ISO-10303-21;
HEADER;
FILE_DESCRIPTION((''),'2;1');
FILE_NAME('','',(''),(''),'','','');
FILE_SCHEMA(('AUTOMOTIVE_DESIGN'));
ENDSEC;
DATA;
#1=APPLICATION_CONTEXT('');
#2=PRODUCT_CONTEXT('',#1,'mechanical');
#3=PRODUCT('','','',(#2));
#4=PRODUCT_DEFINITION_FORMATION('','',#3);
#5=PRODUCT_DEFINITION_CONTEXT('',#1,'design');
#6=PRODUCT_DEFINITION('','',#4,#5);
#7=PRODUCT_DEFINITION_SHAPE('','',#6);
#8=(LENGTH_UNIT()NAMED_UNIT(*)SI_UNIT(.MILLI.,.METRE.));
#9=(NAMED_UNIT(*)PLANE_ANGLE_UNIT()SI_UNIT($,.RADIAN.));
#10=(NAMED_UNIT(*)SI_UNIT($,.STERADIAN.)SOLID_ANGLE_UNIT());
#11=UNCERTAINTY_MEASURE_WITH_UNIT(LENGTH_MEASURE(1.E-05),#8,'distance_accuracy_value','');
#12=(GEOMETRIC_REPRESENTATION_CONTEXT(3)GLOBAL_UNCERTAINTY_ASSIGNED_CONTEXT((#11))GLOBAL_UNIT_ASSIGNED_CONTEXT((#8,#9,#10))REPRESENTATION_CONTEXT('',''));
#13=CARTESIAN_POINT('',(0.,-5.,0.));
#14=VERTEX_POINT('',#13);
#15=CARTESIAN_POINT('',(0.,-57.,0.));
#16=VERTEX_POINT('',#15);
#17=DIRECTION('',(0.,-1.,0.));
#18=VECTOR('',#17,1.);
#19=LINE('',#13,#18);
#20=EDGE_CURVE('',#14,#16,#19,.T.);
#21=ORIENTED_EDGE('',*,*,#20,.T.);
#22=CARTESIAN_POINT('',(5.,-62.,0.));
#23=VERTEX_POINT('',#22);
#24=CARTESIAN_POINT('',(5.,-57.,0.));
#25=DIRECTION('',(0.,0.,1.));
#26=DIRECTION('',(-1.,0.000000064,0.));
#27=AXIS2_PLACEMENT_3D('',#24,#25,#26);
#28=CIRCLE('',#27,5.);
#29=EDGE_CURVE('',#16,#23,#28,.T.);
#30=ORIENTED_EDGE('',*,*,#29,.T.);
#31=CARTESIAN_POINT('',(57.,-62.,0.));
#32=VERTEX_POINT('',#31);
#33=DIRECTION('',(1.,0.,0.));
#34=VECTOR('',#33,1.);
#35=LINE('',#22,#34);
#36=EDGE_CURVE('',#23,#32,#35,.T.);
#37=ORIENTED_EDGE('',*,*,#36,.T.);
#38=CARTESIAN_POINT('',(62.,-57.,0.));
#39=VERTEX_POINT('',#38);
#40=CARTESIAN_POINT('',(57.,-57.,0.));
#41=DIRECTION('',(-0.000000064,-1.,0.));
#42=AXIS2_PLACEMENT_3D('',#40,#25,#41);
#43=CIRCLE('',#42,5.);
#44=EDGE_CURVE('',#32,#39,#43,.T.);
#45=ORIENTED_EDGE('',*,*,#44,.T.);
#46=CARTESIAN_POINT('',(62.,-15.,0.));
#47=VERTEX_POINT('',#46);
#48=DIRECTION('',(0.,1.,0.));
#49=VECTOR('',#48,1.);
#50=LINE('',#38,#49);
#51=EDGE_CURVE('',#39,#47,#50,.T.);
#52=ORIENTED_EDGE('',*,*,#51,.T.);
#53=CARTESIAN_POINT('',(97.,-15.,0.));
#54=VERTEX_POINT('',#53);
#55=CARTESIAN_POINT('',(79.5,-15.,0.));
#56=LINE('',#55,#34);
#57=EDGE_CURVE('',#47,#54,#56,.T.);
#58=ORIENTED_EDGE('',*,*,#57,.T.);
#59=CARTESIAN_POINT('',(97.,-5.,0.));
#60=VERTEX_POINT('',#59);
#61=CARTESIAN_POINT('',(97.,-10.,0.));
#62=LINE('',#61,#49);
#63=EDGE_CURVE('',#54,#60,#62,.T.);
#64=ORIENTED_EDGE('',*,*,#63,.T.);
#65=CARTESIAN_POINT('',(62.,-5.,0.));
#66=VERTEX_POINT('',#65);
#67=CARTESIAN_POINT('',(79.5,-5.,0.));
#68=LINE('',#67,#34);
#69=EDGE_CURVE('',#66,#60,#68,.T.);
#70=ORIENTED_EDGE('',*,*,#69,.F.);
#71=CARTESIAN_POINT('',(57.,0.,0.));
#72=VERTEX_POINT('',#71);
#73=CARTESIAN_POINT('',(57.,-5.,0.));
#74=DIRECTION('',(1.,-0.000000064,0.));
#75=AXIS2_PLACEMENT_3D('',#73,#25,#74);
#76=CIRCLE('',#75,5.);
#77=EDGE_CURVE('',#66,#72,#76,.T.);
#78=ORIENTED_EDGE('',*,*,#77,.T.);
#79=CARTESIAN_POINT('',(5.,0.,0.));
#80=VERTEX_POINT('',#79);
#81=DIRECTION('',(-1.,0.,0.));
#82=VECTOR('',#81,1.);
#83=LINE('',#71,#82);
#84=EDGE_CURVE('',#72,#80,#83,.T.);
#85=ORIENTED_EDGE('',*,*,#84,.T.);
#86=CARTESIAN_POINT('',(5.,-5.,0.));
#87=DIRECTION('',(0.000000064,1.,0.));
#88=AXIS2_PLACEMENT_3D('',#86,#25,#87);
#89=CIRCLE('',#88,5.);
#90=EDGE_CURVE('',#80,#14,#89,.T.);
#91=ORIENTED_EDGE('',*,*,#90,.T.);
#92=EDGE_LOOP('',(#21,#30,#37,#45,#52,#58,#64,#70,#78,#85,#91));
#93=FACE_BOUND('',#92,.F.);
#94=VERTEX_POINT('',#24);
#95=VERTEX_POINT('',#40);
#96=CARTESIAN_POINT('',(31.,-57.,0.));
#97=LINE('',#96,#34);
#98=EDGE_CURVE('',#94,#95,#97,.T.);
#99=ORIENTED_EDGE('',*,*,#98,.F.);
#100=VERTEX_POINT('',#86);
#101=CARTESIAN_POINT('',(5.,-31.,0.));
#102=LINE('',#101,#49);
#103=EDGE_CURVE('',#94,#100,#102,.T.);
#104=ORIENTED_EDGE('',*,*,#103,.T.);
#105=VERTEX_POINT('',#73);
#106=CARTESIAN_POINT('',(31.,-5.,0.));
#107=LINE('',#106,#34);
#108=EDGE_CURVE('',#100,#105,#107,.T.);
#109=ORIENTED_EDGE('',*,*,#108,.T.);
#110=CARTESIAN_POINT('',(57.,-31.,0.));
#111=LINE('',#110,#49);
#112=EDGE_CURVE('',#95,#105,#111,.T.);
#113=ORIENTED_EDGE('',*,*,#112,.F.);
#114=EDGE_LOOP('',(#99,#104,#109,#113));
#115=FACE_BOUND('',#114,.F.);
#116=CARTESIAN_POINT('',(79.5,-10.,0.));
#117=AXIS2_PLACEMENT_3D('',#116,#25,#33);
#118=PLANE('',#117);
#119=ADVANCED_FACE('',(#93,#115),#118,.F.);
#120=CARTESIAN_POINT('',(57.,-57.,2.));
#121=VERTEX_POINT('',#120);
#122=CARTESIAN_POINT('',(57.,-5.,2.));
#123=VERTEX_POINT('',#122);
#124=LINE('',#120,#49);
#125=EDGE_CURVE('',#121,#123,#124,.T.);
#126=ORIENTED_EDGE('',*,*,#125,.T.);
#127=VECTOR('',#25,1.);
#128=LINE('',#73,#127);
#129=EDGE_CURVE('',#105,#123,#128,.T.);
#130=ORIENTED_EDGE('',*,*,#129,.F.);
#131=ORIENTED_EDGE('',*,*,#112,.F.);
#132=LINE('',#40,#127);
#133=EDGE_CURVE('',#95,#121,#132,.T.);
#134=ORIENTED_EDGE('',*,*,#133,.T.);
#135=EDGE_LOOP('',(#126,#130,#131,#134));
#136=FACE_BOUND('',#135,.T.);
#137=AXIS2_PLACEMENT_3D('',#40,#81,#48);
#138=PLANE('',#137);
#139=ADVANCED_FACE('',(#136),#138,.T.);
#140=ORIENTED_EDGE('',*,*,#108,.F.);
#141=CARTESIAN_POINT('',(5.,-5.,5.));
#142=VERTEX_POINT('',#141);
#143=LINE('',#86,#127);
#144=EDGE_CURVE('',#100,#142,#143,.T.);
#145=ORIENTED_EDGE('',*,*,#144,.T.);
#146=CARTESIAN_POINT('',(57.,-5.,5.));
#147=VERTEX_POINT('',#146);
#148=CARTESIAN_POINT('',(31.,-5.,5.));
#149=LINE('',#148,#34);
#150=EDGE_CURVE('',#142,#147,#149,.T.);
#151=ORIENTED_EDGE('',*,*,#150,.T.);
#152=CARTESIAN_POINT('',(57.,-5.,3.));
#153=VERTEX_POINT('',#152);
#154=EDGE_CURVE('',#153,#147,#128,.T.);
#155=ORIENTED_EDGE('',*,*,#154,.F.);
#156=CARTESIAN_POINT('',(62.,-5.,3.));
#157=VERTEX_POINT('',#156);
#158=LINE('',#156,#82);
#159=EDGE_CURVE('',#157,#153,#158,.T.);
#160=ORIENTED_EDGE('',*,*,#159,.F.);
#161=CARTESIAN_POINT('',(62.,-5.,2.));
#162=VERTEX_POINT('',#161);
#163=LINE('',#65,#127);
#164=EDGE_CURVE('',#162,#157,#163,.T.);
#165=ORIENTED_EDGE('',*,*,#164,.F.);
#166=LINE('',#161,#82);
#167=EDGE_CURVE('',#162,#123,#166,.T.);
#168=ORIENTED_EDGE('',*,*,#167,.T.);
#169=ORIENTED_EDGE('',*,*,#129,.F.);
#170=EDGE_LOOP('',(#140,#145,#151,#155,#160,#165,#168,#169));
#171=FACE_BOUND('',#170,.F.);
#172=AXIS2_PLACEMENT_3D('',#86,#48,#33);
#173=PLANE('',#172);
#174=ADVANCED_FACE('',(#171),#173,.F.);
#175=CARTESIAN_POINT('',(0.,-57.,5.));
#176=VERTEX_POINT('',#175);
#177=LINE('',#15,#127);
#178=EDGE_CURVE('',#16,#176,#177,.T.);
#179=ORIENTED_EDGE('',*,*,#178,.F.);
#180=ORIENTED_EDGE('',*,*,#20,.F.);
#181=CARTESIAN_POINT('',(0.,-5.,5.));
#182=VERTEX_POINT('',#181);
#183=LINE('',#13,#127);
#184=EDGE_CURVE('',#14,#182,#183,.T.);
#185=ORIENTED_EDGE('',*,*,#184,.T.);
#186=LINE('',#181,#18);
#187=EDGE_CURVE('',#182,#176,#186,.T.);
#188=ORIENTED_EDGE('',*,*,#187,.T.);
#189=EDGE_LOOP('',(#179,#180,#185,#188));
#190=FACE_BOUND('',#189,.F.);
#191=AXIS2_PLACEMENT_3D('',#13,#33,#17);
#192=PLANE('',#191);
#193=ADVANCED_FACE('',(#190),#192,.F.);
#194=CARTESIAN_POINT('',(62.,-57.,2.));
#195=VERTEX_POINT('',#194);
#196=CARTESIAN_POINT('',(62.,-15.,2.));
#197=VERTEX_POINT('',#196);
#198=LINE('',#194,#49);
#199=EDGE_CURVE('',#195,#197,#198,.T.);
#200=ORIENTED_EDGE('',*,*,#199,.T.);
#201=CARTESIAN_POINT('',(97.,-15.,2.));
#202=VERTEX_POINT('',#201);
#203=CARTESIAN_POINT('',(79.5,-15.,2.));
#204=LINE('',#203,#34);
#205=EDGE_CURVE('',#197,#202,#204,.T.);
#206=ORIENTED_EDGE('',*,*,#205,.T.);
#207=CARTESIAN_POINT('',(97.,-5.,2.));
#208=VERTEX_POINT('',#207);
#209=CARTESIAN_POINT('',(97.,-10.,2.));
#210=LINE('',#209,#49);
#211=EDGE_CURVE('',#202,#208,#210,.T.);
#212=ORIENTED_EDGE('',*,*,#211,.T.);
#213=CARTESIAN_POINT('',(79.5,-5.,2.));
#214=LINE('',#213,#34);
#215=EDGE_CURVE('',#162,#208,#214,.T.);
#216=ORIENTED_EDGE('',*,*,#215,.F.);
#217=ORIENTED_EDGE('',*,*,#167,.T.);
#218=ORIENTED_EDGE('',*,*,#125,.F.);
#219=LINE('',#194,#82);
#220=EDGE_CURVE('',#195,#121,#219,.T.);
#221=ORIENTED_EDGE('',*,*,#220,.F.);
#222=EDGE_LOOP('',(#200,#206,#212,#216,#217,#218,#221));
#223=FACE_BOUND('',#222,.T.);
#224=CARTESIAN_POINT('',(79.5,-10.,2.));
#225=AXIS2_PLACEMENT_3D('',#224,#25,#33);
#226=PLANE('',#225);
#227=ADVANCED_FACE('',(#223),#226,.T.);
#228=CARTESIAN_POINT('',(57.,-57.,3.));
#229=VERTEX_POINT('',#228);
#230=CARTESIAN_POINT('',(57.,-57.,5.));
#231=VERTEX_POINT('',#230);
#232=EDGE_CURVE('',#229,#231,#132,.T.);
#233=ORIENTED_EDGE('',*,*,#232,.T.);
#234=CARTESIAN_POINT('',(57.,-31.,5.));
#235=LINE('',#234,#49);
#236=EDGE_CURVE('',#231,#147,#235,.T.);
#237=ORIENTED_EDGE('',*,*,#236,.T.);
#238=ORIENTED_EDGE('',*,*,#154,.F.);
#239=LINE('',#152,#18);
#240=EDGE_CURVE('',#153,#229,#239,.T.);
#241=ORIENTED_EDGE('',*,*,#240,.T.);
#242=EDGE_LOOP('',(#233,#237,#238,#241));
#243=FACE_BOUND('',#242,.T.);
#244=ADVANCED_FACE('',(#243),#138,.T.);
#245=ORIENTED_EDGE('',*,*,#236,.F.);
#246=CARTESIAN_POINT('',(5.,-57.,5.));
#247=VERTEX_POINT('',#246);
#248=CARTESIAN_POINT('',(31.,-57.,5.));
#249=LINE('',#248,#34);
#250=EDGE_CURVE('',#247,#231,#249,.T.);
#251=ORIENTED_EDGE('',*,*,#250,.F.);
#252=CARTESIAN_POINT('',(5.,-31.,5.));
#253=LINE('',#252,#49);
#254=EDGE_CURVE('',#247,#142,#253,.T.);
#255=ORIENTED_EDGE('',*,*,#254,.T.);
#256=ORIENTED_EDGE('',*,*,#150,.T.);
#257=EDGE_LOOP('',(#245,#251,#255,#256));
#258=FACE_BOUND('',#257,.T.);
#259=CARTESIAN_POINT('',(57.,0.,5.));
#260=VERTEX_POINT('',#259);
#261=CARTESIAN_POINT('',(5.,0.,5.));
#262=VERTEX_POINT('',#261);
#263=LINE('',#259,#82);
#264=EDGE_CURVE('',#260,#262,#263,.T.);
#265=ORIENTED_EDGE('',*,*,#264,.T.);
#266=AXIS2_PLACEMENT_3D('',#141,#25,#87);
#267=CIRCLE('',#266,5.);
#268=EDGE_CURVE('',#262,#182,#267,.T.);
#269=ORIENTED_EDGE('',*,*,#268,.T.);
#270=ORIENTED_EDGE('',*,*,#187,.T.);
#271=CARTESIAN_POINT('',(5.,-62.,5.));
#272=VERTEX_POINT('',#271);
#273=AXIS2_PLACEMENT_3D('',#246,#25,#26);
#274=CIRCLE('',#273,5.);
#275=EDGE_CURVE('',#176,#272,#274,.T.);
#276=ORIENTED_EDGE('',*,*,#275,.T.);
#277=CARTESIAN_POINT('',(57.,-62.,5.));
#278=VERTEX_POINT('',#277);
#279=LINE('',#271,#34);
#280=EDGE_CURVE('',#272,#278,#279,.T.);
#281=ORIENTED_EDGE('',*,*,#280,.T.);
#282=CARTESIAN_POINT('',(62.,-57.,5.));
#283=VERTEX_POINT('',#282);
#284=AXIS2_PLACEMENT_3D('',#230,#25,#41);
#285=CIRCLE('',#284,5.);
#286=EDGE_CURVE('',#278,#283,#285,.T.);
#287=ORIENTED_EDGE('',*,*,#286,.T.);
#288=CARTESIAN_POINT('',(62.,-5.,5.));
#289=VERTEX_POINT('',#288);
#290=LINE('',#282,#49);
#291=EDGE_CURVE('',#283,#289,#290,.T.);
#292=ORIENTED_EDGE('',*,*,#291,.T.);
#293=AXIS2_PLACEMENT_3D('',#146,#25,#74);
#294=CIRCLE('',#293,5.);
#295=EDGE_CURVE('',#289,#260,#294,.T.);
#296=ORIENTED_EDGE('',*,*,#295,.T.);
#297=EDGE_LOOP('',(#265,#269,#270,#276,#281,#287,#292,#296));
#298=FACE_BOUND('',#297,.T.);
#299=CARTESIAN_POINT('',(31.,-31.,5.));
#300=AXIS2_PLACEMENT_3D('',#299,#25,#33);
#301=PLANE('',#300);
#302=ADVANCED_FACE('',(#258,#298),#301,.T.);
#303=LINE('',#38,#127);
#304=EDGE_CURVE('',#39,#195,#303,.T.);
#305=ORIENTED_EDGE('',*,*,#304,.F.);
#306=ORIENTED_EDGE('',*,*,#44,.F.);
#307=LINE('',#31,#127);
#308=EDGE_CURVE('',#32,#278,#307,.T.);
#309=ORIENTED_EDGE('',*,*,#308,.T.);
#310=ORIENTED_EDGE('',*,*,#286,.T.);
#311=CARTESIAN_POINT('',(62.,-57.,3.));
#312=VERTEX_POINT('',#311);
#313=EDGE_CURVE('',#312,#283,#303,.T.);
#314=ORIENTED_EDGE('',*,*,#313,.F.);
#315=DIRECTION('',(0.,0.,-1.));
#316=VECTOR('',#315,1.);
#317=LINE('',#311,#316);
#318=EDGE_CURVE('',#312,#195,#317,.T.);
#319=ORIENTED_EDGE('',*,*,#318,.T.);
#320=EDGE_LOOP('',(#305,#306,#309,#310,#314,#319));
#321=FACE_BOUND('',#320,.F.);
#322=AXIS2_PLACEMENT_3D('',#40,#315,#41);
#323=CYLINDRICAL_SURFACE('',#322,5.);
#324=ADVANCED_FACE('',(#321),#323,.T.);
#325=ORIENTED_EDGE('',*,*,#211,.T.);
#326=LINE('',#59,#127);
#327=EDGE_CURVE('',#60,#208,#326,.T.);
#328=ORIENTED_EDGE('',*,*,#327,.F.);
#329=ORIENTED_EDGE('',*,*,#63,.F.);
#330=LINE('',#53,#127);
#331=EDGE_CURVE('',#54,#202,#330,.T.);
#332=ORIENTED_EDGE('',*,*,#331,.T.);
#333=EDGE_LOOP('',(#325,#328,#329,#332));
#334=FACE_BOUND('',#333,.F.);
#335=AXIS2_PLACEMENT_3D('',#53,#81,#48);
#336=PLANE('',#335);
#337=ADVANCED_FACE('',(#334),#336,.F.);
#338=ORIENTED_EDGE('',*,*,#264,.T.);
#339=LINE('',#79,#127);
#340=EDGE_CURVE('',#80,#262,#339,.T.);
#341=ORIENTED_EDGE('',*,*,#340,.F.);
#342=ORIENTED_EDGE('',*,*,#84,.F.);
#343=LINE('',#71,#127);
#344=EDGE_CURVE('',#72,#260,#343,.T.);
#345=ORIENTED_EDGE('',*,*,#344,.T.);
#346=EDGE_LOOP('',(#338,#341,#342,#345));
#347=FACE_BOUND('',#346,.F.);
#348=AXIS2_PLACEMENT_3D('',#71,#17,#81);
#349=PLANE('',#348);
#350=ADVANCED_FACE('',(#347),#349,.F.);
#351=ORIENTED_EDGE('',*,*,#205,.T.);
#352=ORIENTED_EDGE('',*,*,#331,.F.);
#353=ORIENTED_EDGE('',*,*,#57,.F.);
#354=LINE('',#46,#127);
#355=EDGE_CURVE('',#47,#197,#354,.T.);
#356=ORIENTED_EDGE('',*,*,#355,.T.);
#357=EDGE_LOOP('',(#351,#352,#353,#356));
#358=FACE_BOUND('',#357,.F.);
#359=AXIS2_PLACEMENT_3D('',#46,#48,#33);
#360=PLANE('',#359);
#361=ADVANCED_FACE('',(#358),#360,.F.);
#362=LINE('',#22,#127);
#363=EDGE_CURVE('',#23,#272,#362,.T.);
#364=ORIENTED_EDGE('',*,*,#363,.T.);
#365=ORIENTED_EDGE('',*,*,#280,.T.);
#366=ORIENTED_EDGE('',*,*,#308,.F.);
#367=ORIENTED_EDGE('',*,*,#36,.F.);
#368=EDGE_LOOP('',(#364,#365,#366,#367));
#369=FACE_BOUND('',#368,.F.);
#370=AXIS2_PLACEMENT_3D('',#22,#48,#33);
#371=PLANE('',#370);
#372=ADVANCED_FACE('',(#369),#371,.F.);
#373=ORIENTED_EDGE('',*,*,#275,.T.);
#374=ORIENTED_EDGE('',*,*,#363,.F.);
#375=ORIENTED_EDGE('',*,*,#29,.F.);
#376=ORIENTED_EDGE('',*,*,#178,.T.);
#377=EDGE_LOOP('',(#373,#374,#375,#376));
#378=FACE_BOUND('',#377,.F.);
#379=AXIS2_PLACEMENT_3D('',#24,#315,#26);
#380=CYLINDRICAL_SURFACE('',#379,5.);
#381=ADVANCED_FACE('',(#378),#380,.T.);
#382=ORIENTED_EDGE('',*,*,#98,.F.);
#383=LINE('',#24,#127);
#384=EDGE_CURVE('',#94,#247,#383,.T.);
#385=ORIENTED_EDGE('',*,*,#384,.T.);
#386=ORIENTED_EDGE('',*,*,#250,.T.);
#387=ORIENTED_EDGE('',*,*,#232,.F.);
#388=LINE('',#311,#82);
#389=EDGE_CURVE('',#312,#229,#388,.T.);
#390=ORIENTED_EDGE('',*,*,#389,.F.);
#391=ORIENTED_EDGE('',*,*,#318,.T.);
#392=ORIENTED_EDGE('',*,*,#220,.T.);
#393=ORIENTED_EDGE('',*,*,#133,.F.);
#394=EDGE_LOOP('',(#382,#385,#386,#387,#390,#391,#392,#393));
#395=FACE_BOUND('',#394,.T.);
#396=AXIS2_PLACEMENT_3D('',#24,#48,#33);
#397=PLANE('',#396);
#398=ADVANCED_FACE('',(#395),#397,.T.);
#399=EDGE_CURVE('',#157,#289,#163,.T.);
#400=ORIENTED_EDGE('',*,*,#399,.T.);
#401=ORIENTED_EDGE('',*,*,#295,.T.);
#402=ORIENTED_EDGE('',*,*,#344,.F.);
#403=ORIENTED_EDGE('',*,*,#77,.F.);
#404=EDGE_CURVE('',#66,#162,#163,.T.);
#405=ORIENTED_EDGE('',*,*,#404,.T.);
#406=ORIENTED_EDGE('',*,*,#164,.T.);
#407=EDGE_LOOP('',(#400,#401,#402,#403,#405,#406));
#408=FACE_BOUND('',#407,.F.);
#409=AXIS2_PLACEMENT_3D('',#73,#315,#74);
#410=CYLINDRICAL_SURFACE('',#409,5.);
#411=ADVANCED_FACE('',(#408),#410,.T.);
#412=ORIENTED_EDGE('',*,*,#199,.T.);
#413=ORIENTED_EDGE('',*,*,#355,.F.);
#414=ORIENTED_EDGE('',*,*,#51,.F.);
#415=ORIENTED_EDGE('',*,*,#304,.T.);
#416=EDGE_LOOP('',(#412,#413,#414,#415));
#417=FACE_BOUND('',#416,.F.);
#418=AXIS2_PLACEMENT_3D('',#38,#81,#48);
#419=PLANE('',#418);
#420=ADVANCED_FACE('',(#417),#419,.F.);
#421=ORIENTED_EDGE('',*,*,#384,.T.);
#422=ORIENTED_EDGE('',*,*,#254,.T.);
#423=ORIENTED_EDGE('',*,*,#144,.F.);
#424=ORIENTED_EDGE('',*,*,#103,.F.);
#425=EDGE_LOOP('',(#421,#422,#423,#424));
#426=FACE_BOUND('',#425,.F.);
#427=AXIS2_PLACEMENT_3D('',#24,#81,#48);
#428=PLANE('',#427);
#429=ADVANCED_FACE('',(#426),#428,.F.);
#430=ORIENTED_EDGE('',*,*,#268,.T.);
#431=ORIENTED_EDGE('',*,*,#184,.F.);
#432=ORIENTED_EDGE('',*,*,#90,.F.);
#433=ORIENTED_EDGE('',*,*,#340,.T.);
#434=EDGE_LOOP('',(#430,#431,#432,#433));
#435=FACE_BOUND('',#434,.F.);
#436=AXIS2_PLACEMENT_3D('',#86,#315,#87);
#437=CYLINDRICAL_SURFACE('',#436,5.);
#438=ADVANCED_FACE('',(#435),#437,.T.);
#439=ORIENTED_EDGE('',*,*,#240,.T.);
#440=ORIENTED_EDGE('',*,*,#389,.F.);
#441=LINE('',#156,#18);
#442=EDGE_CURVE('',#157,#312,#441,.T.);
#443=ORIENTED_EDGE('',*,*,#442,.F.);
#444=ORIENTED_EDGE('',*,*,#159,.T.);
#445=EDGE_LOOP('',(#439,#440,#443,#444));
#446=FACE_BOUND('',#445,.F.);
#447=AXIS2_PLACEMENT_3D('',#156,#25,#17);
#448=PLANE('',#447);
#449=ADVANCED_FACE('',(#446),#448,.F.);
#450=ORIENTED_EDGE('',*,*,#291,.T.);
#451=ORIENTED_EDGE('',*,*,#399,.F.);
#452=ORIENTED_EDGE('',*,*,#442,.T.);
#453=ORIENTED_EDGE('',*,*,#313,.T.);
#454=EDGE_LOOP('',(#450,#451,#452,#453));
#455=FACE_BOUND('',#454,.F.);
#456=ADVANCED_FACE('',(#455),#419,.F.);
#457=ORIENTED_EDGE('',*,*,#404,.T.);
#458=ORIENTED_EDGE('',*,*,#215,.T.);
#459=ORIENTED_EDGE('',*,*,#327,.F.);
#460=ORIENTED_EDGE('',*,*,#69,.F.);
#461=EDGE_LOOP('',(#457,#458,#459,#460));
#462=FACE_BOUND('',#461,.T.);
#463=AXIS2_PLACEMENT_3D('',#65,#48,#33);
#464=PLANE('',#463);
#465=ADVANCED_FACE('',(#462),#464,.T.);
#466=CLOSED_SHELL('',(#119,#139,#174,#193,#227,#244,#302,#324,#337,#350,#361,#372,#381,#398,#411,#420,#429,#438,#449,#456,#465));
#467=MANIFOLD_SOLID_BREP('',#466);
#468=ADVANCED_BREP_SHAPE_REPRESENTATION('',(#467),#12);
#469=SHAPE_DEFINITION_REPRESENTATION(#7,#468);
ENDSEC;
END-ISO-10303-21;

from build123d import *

# Parameters (mm, degrees)
F0_W     = 52
F0_H     = 52
F1_DEPTH = 5
F0_W_2   = 35
F0_H_2   = 10
F2_DEPTH = 2
F4_DEPTH = 5


with BuildPart() as f1:
    # F0 (on Top) → F1 (new body)
    with BuildSketch(Plane.XY):
        with BuildLine():
            Line((57, 0), (5, 0))
            ThreePointArc((5, 0), (1.464466, -1.464466), (0, -5))
            Line((0, -5), (0, -57))
            ThreePointArc((0, -57), (1.464466, -60.535534), (5, -62))
            Line((5, -62), (57, -62))
            ThreePointArc((57, -62), (60.535534, -60.535534), (62, -57))
            Line((62, -57), (62, -15))
            Line((62, -15), (62, -5))
            ThreePointArc((62, -5), (60.535534, -1.464466), (57, 0))
        make_face()
        with Locations((31, -31)):
            Rectangle(F0_W, F0_H, mode=Mode.SUBTRACT)
    extrude(amount=F1_DEPTH)

    # F0 (on Top) → F2 (join)
    with BuildSketch(Plane.XY):
        with Locations((79.5, -10)):
            Rectangle(F0_W_2, F0_H_2)
    extrude(amount=F2_DEPTH)

    # F3 (on face) → F4 (cut, through all)
    with BuildSketch(Plane.YZ.offset(62)):
        Polygon((-15, 2), (-5, 2), (-5, 3), (-57, 3), (-57, 2), align=None)
    extrude(amount=-F4_DEPTH, mode=Mode.SUBTRACT)


solid = f1.part
